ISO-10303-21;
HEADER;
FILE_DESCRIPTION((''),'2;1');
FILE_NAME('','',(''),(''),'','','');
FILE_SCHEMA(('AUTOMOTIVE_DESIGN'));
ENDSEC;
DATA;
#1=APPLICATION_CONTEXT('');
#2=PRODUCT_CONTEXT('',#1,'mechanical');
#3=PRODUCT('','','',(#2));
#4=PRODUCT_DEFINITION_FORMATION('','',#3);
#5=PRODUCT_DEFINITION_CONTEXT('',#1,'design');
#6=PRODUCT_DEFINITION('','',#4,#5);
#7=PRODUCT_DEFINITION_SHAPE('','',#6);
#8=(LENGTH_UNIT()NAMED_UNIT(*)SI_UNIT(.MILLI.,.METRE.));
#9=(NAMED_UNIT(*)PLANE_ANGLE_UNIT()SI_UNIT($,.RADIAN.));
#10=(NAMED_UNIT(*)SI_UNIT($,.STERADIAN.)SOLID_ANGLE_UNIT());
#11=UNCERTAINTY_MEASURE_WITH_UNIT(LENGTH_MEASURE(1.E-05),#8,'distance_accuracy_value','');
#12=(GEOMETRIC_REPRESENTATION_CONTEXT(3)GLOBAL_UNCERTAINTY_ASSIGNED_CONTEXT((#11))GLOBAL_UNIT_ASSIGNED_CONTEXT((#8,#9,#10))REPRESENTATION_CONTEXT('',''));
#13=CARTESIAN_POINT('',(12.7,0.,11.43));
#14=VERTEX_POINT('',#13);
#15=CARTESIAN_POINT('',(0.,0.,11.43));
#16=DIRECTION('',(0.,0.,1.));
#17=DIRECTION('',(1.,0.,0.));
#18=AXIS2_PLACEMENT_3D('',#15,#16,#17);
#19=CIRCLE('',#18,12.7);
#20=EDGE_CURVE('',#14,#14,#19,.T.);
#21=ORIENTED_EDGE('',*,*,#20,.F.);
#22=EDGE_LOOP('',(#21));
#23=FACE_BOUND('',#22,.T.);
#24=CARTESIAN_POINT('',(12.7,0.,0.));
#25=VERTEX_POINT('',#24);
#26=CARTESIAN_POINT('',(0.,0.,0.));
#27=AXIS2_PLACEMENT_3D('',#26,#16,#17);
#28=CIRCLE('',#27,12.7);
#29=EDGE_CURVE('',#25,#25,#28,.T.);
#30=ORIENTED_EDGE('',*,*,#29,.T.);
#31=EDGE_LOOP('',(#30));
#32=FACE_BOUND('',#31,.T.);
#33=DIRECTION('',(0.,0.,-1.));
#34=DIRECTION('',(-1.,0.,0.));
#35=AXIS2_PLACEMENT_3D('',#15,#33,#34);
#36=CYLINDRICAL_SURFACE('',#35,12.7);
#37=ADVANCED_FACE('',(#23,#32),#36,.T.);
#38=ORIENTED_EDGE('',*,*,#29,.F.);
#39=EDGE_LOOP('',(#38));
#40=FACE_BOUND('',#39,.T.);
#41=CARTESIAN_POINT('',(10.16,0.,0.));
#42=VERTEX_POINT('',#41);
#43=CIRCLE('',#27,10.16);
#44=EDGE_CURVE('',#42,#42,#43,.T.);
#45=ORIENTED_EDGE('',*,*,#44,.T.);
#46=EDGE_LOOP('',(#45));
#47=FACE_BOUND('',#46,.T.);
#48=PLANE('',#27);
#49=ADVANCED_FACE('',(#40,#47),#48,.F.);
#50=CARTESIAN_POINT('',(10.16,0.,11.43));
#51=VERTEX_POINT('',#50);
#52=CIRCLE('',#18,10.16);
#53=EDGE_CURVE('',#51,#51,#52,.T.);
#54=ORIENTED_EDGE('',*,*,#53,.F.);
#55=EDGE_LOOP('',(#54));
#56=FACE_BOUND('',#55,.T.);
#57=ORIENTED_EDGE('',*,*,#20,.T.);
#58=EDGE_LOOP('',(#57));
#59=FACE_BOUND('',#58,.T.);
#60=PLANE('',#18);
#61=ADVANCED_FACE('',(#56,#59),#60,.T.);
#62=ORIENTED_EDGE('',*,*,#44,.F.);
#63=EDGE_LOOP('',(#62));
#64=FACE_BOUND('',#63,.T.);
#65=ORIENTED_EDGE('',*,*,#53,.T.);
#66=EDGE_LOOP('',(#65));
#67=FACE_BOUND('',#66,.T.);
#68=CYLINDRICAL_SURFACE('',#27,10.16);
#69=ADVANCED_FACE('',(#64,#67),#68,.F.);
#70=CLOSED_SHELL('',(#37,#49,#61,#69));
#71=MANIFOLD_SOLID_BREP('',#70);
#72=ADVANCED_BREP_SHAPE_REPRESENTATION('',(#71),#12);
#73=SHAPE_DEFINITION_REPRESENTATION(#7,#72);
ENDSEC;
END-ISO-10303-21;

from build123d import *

# Parameters (mm, degrees)
SKETCH1_R           = 12.7
BOSS_EXTRUDE1_DEPTH = 11.43
SKETCH2_R           = 10.16
CUT_EXTRUDE1_DEPTH  = 22.28907936


with BuildPart() as part:
    # Sketch1 → Boss-Extrude1 (new body)
    with BuildSketch(Plane.XY):
        Circle(SKETCH1_R)
    extrude(amount=BOSS_EXTRUDE1_DEPTH)

    # Sketch2 → Cut-Extrude1 (cut, through all)
    with BuildSketch(Plane.XY.offset(11.43)):
        Circle(SKETCH2_R)
    extrude(amount=-CUT_EXTRUDE1_DEPTH, mode=Mode.SUBTRACT)


solid = part.part
